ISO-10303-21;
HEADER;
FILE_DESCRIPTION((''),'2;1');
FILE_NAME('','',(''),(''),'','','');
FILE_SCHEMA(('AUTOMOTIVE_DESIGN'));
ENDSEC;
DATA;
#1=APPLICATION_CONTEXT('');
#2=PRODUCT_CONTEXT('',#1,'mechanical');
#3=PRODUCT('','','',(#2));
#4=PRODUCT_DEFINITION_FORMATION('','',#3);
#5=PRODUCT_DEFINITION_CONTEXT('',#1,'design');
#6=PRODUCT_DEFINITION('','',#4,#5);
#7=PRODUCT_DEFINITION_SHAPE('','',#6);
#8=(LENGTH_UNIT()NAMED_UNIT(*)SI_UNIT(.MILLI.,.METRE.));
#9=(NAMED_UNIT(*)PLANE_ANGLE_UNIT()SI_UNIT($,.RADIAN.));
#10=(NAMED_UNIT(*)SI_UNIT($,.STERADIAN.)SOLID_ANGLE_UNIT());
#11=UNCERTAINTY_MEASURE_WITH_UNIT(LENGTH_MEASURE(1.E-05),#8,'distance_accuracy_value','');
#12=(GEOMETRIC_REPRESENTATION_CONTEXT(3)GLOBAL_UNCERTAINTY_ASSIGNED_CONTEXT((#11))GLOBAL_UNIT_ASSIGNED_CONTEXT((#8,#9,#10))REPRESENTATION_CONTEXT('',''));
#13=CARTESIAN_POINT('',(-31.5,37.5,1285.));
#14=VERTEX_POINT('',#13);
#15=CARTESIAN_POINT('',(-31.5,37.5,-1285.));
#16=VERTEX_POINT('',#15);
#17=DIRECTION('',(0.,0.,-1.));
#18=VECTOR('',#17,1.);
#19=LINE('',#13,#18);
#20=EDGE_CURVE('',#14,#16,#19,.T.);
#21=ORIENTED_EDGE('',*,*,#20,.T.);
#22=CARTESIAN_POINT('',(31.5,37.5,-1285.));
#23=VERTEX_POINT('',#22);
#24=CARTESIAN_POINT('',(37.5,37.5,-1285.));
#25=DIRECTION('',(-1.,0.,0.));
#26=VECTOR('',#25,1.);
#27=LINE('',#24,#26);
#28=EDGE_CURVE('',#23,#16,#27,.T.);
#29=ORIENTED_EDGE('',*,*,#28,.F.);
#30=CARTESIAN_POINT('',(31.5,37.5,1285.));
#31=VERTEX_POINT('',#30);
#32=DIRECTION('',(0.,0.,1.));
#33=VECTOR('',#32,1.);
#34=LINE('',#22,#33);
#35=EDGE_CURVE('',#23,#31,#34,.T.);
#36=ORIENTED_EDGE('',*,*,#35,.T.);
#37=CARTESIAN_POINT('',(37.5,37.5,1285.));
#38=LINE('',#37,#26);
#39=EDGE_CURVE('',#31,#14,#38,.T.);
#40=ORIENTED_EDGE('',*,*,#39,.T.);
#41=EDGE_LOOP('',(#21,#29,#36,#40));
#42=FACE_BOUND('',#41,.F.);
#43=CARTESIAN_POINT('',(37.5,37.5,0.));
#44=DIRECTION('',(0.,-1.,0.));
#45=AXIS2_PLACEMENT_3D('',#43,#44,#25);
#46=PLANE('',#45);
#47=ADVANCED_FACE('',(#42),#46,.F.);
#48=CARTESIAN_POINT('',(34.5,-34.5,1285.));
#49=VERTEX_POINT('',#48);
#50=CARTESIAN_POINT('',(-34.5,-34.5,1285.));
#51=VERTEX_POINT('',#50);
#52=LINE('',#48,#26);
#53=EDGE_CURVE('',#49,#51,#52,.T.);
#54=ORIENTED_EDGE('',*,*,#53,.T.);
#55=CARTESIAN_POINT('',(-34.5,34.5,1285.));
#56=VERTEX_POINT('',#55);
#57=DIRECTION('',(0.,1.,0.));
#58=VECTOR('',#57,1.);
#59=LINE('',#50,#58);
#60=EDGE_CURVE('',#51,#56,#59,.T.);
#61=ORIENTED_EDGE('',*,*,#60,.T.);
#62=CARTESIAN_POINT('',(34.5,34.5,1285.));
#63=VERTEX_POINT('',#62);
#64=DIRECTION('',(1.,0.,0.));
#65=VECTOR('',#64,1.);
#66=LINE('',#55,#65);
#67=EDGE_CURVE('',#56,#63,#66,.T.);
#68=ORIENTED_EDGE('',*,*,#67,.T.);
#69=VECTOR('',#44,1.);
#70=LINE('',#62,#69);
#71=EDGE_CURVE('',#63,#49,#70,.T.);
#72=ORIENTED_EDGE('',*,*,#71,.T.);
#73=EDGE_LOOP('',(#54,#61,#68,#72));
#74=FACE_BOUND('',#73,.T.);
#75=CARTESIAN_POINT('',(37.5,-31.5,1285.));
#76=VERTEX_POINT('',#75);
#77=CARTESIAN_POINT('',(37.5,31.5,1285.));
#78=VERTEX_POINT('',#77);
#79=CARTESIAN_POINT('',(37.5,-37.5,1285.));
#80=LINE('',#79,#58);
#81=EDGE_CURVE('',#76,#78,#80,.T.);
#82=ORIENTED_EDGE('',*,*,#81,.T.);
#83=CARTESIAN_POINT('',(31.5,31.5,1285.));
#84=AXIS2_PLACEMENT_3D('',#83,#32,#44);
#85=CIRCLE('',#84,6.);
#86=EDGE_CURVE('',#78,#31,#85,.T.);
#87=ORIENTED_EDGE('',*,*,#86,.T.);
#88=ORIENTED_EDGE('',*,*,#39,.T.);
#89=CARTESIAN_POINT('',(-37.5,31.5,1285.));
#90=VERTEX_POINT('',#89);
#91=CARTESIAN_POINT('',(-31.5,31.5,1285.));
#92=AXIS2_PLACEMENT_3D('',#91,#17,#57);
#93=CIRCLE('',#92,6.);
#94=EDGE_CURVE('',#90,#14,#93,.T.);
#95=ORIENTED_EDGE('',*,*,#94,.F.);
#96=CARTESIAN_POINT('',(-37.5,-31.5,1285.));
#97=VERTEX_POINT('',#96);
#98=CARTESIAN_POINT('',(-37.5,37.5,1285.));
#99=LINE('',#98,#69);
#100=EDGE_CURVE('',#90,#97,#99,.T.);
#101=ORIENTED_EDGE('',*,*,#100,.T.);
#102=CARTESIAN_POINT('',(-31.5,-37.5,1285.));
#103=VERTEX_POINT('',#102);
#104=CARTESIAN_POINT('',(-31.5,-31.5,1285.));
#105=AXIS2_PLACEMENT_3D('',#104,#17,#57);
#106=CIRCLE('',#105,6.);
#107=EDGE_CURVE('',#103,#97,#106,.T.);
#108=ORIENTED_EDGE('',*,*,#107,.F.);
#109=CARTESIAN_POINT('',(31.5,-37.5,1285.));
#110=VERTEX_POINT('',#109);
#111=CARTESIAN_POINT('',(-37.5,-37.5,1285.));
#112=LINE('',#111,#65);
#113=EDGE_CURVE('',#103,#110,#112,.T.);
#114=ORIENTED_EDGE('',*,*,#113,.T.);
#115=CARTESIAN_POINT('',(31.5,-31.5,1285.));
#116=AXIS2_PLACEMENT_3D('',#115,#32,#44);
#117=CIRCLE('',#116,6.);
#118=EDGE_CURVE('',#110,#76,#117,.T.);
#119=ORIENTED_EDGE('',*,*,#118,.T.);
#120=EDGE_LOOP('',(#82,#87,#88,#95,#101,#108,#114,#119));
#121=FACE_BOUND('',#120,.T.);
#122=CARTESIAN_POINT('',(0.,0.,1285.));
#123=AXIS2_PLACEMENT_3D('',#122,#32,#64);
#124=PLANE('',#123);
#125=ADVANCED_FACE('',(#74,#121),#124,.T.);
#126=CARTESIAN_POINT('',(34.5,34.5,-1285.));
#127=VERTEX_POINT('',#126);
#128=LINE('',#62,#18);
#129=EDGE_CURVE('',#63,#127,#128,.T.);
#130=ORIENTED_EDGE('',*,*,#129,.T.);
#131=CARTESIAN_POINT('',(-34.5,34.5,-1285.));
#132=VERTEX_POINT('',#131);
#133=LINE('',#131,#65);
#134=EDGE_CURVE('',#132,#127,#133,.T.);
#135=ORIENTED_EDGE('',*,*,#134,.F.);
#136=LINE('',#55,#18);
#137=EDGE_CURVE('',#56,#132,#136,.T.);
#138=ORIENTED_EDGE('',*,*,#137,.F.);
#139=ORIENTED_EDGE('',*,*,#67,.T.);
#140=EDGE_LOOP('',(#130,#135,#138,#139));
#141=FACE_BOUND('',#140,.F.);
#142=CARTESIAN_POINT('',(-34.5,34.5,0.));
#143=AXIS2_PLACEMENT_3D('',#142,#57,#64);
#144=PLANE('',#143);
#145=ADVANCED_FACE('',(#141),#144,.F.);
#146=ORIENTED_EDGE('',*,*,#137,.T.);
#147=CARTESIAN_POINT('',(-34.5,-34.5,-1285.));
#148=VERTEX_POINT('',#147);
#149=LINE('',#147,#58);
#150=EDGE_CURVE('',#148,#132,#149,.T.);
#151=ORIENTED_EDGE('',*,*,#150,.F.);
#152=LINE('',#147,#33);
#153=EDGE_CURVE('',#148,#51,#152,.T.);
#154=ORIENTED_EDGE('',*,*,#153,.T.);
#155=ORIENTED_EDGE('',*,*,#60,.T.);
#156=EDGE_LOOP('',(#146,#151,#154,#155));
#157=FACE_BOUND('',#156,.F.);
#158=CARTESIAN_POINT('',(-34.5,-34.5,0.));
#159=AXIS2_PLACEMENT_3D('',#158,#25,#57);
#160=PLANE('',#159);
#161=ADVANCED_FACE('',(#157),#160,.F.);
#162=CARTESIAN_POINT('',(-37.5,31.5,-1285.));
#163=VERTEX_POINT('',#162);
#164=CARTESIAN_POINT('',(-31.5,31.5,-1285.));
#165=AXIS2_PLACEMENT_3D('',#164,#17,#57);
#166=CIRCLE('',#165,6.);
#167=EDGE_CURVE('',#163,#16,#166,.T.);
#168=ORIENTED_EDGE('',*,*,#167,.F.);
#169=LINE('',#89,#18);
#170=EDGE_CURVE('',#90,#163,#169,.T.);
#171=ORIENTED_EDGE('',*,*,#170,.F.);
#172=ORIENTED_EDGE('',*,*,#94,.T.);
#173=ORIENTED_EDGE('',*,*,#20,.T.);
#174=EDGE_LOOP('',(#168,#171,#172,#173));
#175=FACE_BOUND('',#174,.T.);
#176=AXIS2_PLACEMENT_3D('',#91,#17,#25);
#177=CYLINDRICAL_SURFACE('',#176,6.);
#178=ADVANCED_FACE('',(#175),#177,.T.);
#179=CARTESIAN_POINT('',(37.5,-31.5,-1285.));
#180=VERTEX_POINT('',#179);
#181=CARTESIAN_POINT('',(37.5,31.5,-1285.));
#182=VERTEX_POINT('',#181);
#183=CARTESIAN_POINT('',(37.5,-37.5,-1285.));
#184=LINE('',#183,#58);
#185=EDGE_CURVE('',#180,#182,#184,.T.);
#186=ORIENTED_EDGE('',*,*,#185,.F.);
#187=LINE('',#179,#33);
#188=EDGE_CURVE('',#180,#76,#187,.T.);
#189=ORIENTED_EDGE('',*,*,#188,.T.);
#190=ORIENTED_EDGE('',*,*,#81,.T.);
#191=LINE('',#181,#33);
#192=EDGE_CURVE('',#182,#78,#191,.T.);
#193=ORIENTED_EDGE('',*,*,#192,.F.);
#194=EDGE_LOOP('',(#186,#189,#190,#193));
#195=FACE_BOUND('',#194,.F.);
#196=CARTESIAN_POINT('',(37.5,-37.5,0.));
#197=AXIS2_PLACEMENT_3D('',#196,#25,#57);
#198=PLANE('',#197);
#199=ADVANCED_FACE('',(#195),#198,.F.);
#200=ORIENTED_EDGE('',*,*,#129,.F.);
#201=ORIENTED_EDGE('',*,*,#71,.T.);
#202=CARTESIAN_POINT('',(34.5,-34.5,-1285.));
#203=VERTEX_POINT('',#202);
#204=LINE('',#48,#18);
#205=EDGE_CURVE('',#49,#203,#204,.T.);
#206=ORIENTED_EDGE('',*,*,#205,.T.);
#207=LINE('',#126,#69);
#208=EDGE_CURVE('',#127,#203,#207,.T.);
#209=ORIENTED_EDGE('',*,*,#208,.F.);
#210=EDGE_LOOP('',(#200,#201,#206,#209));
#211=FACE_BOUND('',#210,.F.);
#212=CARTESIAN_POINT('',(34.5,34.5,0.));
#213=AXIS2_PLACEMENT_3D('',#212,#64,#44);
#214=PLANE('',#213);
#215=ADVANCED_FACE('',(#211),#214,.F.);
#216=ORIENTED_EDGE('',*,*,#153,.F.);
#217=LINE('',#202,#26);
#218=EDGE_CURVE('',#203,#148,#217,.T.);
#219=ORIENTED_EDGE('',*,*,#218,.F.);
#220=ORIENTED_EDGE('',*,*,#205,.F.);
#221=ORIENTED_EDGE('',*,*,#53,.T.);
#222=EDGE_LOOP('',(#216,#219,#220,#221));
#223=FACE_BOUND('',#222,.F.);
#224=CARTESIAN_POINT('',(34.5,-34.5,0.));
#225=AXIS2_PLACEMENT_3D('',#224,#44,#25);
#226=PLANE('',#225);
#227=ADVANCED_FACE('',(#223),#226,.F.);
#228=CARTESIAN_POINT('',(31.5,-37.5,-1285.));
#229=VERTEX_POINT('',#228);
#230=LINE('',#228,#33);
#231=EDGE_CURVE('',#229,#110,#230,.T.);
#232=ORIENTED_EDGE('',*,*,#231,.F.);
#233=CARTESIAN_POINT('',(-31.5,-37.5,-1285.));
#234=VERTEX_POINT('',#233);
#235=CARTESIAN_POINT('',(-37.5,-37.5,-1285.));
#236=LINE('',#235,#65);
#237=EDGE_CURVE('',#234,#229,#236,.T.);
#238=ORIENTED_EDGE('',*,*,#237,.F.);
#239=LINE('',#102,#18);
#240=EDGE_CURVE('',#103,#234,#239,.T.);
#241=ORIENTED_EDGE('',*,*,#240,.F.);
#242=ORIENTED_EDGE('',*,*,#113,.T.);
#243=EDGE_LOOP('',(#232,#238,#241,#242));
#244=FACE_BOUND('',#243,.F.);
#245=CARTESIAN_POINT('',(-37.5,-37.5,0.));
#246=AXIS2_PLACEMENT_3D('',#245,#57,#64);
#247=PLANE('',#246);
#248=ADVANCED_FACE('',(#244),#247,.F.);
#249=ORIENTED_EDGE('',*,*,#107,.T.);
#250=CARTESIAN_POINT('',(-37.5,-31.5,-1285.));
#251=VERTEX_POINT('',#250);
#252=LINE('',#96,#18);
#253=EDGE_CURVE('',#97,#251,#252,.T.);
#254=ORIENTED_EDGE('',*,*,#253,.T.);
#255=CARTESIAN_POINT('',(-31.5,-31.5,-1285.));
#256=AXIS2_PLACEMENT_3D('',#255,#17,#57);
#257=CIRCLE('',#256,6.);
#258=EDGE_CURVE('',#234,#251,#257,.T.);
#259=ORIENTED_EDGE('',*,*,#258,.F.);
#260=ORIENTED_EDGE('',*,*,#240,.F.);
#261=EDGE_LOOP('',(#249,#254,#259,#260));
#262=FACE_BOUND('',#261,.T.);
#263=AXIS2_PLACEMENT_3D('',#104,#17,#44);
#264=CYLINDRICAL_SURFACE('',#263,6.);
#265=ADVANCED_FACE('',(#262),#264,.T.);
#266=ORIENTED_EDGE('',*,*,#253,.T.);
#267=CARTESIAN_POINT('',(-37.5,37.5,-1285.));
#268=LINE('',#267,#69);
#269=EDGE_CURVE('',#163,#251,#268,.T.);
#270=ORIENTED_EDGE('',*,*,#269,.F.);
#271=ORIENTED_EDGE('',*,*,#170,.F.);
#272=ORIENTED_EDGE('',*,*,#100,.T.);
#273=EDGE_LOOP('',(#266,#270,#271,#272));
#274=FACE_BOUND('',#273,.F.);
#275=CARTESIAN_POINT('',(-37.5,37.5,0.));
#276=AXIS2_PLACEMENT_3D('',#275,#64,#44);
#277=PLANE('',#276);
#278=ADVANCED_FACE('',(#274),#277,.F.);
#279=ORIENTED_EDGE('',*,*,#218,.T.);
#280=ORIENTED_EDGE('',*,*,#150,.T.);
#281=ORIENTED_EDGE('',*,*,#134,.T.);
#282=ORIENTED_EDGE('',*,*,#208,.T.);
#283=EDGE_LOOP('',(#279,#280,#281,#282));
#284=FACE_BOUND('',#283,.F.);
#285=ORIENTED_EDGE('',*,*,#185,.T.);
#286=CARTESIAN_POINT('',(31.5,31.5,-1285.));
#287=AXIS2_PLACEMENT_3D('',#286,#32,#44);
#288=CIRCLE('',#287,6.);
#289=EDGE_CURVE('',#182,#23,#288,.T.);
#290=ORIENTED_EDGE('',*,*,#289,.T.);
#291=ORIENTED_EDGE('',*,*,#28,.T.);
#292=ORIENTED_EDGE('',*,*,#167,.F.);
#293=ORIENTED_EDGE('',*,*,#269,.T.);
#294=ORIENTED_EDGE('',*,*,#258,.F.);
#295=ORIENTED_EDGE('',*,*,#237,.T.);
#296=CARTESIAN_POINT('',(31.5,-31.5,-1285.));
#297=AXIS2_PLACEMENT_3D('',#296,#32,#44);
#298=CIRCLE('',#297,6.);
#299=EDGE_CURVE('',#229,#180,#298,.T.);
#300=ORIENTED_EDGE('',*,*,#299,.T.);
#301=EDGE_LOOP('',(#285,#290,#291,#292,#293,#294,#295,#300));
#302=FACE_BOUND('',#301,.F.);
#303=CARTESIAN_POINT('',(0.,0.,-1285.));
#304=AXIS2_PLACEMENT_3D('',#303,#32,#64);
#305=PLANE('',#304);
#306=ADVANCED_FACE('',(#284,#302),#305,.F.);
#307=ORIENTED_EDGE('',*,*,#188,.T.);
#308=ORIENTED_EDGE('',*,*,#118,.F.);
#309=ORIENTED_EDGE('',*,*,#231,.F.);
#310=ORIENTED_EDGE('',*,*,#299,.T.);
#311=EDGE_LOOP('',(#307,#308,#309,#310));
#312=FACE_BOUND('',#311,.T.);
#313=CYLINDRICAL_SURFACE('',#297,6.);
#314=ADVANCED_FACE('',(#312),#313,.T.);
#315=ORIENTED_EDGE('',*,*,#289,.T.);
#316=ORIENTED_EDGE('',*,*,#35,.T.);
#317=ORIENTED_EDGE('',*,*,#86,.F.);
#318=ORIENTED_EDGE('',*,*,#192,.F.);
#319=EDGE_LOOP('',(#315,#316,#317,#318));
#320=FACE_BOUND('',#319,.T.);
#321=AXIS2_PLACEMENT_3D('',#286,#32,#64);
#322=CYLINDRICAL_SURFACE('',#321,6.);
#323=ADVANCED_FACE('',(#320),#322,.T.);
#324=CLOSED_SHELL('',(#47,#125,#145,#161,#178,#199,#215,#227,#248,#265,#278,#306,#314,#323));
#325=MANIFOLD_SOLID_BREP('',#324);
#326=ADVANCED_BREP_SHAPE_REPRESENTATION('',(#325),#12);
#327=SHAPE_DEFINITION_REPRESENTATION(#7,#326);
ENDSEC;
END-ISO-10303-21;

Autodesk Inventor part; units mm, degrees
ref_plane "YZ Plane" through (0, 0, 0) normal (1, 0, 0) x (0, 1, 0)
ref_plane "XZ Plane" through (0, 0, 0) normal (0, 1, 0) x (-1, 0, 0)
ref_plane "XY Plane" through (0, 0, 0) normal (0, 0, 1) x (1, 0, 0)
sketch "Boceto1" plane through (0, 0, 0) normal (0, 0, 1) x (1, 0, 0)
  line L0 (37.5, -37.5) -> (37.5, 37.5)
  line L1 (37.5, 37.5) -> (-37.5, 37.5)
  line L2 (-37.5, 37.5) -> (-37.5, -37.5)
  line L3 (-37.5, -37.5) -> (37.5, -37.5)
  line L4 (37.5, -37.5) -> (-37.5, 37.5) construction
  line L5 (37.5, 37.5) -> (-37.5, -37.5) construction
  line L6 (-34.5, -34.5) -> (-34.5, 34.5)
  line L7 (-34.5, 34.5) -> (34.5, 34.5)
  line L8 (34.5, 34.5) -> (34.5, -34.5)
  line L9 (34.5, -34.5) -> (-34.5, -34.5)
  point P0 (0, 0)
  dimension "d0" = 75
  dimension "d1" = 75
  dimension "d2" = 3
extrude "Extrusión1" add sketch "Boceto1" along normal mid plane 2570
fillet "Empalme1" radius 6 4 edges at (37.5, 37.5, 0) (-37.5, 37.5, 0) (37.5, -37.5, 0) (-37.5, -37.5, 0)
properties part number "2350 STEEL PROFILE" material "Acero"
